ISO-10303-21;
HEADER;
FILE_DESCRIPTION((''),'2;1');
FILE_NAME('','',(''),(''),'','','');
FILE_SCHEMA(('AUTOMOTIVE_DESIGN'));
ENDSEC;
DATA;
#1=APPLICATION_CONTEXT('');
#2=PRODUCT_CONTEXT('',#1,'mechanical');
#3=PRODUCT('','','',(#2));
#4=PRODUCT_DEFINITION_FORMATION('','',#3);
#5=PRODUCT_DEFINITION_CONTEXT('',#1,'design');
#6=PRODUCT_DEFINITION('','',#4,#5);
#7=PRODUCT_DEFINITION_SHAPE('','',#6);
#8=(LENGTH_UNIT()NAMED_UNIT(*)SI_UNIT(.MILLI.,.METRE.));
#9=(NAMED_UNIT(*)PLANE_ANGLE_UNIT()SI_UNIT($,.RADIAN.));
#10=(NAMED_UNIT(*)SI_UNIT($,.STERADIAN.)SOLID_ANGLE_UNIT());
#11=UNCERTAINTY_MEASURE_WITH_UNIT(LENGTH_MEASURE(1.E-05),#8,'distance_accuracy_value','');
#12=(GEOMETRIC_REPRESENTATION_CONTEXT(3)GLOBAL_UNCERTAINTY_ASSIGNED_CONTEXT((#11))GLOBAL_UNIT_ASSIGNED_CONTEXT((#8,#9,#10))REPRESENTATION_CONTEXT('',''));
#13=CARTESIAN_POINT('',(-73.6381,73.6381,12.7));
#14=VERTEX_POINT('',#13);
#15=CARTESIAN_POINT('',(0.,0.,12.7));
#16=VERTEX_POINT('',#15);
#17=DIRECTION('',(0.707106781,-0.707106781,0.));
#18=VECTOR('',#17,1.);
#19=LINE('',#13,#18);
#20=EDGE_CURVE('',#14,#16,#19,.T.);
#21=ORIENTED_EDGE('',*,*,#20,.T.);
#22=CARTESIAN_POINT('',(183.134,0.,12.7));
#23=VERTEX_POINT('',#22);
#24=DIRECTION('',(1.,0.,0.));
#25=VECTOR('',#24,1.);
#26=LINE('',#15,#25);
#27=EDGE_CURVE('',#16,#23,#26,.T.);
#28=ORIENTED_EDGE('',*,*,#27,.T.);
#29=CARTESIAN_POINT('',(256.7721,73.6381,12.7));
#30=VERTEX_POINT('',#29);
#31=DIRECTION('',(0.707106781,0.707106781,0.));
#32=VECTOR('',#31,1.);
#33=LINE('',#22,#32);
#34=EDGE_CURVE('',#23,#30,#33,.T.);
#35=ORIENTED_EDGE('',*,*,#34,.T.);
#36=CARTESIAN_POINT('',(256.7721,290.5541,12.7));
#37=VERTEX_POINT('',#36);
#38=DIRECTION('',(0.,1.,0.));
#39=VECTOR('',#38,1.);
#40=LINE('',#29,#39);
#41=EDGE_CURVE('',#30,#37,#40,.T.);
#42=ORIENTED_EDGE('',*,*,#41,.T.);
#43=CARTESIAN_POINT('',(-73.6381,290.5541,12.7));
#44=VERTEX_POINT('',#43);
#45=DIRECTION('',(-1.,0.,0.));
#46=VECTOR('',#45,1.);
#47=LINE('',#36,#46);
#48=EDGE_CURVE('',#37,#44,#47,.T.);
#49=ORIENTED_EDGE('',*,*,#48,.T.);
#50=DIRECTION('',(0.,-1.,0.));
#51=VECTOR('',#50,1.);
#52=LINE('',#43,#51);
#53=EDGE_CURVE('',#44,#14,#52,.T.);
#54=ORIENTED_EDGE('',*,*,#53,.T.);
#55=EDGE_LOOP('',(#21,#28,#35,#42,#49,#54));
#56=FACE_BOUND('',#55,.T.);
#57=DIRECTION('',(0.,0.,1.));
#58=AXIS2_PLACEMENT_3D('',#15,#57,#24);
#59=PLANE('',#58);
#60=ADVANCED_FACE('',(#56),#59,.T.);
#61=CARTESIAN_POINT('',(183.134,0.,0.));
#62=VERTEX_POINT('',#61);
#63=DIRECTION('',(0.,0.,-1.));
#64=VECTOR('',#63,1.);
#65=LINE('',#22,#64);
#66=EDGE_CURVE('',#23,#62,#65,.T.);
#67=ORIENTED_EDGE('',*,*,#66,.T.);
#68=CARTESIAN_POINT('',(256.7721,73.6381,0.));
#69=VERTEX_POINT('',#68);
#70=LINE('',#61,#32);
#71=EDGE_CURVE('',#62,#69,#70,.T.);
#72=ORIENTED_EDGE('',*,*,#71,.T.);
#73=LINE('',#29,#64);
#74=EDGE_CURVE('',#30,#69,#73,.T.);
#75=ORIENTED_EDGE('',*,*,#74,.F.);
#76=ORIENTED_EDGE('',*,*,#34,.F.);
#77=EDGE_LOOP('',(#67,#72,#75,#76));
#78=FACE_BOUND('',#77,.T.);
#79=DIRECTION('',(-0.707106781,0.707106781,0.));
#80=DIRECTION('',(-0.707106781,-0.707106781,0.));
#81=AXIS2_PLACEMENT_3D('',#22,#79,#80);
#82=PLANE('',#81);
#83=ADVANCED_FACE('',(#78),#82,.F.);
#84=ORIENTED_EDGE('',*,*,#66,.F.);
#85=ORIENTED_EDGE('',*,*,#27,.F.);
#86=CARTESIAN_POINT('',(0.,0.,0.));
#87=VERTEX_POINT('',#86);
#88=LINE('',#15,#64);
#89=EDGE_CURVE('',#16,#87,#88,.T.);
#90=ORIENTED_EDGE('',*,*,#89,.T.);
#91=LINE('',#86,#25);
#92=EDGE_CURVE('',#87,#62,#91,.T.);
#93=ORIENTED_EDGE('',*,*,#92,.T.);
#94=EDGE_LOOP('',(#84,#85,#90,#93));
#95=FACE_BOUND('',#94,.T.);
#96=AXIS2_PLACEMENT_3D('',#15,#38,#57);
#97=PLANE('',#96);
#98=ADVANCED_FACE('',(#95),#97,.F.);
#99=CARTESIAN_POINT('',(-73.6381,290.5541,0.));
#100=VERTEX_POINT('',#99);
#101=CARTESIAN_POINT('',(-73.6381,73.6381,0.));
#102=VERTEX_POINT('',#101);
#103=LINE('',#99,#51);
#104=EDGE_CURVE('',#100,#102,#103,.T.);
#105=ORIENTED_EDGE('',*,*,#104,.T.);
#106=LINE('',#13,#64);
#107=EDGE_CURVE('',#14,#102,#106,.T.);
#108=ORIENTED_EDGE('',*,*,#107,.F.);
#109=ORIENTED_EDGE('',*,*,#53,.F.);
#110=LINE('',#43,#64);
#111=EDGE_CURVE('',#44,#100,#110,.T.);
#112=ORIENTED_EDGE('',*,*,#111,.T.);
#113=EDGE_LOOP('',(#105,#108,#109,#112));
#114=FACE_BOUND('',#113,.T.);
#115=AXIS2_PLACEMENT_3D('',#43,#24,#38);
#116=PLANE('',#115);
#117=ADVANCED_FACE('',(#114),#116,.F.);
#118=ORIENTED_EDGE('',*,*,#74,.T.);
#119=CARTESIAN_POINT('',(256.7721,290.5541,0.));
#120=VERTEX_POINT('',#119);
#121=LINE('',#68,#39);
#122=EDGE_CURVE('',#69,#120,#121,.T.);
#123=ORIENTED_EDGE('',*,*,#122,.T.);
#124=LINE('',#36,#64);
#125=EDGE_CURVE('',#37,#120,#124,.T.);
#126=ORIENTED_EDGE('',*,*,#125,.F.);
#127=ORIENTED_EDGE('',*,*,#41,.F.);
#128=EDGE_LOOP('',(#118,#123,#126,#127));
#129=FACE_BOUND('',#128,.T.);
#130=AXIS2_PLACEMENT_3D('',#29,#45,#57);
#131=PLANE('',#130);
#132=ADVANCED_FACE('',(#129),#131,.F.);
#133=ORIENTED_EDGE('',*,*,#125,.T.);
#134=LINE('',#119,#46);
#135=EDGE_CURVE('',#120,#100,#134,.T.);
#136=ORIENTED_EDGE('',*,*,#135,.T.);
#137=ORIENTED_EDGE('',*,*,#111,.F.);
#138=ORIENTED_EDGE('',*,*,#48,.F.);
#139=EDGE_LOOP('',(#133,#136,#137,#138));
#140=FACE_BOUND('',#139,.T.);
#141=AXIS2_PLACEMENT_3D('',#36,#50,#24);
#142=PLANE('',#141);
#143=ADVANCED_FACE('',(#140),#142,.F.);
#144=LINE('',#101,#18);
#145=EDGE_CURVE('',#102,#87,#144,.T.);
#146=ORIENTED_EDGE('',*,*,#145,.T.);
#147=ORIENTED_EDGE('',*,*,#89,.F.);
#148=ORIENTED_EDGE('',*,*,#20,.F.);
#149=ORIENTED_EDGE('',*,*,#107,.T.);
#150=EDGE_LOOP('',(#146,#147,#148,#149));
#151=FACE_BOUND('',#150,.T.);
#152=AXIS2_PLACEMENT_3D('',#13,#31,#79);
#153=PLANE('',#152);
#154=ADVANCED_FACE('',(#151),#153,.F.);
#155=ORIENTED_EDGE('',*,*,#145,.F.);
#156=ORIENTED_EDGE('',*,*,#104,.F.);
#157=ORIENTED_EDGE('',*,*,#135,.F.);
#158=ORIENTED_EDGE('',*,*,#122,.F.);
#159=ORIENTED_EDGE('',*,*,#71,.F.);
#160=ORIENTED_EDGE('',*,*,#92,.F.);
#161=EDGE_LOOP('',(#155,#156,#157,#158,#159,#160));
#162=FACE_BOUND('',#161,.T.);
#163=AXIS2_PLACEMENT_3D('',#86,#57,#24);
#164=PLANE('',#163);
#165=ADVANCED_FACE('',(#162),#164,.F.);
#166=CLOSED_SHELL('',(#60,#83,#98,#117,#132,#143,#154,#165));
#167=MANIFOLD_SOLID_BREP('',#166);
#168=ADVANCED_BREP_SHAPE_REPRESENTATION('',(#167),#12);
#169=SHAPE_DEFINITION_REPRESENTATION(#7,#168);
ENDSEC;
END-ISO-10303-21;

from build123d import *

# Parameters (mm, degrees)
BOSS_EXTRUDE1_DEPTH = 12.7


with BuildPart() as part:
    # Sketch2 → Boss-Extrude1 (new body)
    with BuildSketch(Plane.XY):
        Polygon((0, 0), (183.134, 0), (256.772100193, 73.638100193), (256.772100193, 290.554100193), (-73.638100193, 290.554100193), (-73.638100193, 73.638100193), align=None)
    extrude(amount=BOSS_EXTRUDE1_DEPTH)


solid = part.part
